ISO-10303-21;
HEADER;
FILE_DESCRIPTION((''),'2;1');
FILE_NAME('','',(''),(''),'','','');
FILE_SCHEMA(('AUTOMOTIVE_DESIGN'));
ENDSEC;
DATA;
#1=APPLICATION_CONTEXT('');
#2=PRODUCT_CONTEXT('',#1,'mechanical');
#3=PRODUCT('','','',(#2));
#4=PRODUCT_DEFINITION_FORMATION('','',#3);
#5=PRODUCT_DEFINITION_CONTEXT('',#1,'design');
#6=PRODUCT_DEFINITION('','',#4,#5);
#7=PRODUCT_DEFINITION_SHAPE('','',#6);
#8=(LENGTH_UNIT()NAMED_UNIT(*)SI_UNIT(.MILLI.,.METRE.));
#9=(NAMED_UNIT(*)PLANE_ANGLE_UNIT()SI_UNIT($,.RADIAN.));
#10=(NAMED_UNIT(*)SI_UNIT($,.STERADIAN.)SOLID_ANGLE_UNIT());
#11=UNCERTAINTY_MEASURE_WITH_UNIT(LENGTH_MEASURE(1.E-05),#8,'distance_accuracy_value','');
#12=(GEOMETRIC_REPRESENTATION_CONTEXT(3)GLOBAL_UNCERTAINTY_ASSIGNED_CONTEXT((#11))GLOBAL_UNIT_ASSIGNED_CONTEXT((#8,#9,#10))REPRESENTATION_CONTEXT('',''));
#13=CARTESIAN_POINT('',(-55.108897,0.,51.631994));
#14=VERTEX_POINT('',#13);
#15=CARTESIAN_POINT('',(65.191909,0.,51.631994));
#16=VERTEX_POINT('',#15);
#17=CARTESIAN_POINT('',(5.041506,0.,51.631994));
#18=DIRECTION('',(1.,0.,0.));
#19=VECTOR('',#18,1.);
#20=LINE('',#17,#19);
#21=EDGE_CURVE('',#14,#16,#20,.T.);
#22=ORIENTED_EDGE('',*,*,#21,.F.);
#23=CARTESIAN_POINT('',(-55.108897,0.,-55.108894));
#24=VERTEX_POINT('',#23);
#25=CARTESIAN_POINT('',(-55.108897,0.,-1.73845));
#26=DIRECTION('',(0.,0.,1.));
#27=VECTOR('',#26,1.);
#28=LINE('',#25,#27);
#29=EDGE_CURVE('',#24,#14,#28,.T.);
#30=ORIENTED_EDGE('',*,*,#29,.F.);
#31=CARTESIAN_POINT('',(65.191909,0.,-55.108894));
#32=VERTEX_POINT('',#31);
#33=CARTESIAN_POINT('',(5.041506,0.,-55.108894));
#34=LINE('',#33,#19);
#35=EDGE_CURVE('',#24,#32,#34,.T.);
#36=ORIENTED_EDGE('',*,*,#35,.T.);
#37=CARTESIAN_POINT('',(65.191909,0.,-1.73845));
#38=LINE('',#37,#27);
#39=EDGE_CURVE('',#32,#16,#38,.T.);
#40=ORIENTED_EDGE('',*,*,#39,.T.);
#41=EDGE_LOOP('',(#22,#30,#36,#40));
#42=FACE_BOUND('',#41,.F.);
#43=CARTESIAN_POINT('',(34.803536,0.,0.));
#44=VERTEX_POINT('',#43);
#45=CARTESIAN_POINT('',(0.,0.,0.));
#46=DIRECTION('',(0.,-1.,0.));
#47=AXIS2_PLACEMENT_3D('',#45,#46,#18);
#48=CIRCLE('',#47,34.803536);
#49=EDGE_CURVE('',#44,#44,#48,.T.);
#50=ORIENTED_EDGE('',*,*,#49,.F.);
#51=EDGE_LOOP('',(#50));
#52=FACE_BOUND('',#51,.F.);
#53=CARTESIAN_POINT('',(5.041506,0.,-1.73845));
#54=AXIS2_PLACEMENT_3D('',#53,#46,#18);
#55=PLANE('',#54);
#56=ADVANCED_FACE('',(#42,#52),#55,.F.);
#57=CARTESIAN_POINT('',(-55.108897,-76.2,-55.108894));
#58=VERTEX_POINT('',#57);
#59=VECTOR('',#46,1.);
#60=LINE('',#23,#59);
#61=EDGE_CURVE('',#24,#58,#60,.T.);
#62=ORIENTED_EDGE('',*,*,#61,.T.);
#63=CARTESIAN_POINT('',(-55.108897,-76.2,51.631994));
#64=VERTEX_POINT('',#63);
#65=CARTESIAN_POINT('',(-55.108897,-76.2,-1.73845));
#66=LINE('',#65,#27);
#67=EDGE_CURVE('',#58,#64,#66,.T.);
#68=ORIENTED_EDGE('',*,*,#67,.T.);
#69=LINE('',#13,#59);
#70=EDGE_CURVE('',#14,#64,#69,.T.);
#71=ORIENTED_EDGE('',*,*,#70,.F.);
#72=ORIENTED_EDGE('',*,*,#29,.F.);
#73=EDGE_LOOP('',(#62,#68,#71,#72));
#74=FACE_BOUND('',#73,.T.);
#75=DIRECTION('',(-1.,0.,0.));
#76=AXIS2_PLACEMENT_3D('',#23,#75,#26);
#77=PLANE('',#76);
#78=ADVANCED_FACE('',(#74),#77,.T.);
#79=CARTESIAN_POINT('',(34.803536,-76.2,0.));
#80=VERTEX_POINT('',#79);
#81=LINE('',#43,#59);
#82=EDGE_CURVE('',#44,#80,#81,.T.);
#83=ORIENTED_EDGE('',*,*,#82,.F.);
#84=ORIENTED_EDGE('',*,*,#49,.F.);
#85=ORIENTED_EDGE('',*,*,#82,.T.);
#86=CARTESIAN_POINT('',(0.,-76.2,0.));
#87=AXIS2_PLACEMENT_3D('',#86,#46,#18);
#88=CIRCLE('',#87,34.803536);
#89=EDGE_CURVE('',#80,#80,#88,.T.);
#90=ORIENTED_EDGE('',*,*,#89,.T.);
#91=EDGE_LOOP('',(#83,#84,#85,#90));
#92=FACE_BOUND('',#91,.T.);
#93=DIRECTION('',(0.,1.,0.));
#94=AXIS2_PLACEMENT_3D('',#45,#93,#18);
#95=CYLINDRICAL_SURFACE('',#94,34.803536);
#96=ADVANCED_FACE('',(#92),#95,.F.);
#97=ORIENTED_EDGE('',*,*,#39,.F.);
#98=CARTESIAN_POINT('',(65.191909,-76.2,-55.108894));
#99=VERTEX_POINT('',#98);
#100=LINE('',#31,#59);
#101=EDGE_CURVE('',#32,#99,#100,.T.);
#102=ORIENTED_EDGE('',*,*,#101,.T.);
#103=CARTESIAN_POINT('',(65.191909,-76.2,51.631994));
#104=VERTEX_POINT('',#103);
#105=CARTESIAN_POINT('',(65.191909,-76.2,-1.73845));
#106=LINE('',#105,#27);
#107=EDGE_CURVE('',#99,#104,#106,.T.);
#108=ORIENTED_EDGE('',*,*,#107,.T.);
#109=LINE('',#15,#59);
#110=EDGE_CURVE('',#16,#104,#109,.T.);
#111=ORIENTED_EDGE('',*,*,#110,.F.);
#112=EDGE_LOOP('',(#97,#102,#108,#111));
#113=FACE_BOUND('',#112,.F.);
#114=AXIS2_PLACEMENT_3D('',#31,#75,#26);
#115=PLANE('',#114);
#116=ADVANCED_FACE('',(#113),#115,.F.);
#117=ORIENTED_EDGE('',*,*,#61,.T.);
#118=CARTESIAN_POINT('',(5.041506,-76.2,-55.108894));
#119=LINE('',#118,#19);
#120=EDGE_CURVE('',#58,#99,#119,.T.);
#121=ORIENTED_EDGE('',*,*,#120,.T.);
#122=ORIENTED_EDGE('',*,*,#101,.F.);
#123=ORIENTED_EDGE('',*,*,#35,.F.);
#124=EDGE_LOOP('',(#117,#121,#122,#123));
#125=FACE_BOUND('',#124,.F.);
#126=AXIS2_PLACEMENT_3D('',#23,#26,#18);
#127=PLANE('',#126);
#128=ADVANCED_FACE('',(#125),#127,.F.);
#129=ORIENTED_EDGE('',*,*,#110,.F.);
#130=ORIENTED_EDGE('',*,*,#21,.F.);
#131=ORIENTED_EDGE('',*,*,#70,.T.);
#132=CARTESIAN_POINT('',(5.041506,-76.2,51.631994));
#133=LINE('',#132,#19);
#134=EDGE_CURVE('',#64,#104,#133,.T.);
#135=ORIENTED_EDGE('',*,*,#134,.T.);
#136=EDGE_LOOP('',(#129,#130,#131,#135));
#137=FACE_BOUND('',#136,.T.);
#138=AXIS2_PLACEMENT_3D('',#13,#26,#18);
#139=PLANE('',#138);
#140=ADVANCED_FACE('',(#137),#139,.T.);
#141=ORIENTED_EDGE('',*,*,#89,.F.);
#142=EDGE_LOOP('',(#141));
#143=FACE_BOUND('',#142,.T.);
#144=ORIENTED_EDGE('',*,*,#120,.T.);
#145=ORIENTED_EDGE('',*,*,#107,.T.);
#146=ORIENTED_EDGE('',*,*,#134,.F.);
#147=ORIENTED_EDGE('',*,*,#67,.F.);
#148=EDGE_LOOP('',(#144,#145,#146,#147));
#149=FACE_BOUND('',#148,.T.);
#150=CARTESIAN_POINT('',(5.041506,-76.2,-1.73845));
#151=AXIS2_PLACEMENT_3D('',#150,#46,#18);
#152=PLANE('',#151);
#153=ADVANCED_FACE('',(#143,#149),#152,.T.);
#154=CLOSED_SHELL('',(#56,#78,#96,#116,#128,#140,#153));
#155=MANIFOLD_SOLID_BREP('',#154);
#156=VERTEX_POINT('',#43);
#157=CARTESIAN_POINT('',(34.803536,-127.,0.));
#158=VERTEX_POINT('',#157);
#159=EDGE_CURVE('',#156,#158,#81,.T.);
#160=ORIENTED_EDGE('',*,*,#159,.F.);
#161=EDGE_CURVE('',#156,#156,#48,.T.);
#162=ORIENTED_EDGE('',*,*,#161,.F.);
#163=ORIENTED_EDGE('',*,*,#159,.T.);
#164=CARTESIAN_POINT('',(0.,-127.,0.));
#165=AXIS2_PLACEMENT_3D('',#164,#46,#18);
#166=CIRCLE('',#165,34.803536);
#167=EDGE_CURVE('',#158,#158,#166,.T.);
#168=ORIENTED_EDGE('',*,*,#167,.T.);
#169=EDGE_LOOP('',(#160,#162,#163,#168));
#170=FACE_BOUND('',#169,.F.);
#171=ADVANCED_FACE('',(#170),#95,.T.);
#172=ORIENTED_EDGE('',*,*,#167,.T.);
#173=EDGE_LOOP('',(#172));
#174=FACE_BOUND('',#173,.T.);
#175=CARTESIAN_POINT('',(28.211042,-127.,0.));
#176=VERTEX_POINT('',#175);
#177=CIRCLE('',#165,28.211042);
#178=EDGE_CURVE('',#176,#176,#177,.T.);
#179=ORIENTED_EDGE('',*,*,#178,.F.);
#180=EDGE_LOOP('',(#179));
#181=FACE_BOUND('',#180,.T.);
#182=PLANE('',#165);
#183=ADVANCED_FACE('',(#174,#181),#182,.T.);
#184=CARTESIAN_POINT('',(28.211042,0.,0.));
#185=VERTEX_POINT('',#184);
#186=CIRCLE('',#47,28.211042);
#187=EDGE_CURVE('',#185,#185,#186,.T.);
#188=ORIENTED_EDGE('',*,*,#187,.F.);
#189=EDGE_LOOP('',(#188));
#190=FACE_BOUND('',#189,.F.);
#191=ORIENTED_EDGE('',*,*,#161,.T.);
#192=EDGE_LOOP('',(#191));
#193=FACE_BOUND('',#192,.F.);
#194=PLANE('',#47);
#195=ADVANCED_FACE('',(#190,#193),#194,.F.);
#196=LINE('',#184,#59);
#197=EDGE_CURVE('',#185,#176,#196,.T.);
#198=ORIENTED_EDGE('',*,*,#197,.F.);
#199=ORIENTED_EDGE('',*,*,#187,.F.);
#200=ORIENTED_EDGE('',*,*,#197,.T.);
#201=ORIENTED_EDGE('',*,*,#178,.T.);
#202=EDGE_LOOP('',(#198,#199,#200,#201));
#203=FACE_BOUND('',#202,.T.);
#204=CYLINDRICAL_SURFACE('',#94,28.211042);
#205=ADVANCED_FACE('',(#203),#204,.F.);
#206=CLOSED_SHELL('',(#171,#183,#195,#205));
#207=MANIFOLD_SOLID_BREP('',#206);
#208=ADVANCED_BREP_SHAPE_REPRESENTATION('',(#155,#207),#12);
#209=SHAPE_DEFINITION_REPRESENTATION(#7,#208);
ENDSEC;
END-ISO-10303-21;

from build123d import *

# Parameters (mm, degrees)
F0_W     = 120.300807
F0_H     = 106.740889
F0_R     = 34.803536
F1_DEPTH = 76.2
F0_R_2   = 28.211042
F2_DEPTH = 127


with BuildPart() as f1:
    # F0 (on Front) → F1 (new body)
    with BuildSketch(Plane.XZ):
        with Locations((5.041506, -1.73845)):
            Rectangle(F0_W, F0_H)
        Circle(F0_R, mode=Mode.SUBTRACT)
    extrude(amount=F1_DEPTH)


with BuildPart() as f2:
    # F0 (on Front) → F2 (new body)
    with BuildSketch(Plane.XZ):
        Circle(F0_R)
        Circle(F0_R_2, mode=Mode.SUBTRACT)
    extrude(amount=F2_DEPTH)


solid = Compound([f1.part, f2.part])
